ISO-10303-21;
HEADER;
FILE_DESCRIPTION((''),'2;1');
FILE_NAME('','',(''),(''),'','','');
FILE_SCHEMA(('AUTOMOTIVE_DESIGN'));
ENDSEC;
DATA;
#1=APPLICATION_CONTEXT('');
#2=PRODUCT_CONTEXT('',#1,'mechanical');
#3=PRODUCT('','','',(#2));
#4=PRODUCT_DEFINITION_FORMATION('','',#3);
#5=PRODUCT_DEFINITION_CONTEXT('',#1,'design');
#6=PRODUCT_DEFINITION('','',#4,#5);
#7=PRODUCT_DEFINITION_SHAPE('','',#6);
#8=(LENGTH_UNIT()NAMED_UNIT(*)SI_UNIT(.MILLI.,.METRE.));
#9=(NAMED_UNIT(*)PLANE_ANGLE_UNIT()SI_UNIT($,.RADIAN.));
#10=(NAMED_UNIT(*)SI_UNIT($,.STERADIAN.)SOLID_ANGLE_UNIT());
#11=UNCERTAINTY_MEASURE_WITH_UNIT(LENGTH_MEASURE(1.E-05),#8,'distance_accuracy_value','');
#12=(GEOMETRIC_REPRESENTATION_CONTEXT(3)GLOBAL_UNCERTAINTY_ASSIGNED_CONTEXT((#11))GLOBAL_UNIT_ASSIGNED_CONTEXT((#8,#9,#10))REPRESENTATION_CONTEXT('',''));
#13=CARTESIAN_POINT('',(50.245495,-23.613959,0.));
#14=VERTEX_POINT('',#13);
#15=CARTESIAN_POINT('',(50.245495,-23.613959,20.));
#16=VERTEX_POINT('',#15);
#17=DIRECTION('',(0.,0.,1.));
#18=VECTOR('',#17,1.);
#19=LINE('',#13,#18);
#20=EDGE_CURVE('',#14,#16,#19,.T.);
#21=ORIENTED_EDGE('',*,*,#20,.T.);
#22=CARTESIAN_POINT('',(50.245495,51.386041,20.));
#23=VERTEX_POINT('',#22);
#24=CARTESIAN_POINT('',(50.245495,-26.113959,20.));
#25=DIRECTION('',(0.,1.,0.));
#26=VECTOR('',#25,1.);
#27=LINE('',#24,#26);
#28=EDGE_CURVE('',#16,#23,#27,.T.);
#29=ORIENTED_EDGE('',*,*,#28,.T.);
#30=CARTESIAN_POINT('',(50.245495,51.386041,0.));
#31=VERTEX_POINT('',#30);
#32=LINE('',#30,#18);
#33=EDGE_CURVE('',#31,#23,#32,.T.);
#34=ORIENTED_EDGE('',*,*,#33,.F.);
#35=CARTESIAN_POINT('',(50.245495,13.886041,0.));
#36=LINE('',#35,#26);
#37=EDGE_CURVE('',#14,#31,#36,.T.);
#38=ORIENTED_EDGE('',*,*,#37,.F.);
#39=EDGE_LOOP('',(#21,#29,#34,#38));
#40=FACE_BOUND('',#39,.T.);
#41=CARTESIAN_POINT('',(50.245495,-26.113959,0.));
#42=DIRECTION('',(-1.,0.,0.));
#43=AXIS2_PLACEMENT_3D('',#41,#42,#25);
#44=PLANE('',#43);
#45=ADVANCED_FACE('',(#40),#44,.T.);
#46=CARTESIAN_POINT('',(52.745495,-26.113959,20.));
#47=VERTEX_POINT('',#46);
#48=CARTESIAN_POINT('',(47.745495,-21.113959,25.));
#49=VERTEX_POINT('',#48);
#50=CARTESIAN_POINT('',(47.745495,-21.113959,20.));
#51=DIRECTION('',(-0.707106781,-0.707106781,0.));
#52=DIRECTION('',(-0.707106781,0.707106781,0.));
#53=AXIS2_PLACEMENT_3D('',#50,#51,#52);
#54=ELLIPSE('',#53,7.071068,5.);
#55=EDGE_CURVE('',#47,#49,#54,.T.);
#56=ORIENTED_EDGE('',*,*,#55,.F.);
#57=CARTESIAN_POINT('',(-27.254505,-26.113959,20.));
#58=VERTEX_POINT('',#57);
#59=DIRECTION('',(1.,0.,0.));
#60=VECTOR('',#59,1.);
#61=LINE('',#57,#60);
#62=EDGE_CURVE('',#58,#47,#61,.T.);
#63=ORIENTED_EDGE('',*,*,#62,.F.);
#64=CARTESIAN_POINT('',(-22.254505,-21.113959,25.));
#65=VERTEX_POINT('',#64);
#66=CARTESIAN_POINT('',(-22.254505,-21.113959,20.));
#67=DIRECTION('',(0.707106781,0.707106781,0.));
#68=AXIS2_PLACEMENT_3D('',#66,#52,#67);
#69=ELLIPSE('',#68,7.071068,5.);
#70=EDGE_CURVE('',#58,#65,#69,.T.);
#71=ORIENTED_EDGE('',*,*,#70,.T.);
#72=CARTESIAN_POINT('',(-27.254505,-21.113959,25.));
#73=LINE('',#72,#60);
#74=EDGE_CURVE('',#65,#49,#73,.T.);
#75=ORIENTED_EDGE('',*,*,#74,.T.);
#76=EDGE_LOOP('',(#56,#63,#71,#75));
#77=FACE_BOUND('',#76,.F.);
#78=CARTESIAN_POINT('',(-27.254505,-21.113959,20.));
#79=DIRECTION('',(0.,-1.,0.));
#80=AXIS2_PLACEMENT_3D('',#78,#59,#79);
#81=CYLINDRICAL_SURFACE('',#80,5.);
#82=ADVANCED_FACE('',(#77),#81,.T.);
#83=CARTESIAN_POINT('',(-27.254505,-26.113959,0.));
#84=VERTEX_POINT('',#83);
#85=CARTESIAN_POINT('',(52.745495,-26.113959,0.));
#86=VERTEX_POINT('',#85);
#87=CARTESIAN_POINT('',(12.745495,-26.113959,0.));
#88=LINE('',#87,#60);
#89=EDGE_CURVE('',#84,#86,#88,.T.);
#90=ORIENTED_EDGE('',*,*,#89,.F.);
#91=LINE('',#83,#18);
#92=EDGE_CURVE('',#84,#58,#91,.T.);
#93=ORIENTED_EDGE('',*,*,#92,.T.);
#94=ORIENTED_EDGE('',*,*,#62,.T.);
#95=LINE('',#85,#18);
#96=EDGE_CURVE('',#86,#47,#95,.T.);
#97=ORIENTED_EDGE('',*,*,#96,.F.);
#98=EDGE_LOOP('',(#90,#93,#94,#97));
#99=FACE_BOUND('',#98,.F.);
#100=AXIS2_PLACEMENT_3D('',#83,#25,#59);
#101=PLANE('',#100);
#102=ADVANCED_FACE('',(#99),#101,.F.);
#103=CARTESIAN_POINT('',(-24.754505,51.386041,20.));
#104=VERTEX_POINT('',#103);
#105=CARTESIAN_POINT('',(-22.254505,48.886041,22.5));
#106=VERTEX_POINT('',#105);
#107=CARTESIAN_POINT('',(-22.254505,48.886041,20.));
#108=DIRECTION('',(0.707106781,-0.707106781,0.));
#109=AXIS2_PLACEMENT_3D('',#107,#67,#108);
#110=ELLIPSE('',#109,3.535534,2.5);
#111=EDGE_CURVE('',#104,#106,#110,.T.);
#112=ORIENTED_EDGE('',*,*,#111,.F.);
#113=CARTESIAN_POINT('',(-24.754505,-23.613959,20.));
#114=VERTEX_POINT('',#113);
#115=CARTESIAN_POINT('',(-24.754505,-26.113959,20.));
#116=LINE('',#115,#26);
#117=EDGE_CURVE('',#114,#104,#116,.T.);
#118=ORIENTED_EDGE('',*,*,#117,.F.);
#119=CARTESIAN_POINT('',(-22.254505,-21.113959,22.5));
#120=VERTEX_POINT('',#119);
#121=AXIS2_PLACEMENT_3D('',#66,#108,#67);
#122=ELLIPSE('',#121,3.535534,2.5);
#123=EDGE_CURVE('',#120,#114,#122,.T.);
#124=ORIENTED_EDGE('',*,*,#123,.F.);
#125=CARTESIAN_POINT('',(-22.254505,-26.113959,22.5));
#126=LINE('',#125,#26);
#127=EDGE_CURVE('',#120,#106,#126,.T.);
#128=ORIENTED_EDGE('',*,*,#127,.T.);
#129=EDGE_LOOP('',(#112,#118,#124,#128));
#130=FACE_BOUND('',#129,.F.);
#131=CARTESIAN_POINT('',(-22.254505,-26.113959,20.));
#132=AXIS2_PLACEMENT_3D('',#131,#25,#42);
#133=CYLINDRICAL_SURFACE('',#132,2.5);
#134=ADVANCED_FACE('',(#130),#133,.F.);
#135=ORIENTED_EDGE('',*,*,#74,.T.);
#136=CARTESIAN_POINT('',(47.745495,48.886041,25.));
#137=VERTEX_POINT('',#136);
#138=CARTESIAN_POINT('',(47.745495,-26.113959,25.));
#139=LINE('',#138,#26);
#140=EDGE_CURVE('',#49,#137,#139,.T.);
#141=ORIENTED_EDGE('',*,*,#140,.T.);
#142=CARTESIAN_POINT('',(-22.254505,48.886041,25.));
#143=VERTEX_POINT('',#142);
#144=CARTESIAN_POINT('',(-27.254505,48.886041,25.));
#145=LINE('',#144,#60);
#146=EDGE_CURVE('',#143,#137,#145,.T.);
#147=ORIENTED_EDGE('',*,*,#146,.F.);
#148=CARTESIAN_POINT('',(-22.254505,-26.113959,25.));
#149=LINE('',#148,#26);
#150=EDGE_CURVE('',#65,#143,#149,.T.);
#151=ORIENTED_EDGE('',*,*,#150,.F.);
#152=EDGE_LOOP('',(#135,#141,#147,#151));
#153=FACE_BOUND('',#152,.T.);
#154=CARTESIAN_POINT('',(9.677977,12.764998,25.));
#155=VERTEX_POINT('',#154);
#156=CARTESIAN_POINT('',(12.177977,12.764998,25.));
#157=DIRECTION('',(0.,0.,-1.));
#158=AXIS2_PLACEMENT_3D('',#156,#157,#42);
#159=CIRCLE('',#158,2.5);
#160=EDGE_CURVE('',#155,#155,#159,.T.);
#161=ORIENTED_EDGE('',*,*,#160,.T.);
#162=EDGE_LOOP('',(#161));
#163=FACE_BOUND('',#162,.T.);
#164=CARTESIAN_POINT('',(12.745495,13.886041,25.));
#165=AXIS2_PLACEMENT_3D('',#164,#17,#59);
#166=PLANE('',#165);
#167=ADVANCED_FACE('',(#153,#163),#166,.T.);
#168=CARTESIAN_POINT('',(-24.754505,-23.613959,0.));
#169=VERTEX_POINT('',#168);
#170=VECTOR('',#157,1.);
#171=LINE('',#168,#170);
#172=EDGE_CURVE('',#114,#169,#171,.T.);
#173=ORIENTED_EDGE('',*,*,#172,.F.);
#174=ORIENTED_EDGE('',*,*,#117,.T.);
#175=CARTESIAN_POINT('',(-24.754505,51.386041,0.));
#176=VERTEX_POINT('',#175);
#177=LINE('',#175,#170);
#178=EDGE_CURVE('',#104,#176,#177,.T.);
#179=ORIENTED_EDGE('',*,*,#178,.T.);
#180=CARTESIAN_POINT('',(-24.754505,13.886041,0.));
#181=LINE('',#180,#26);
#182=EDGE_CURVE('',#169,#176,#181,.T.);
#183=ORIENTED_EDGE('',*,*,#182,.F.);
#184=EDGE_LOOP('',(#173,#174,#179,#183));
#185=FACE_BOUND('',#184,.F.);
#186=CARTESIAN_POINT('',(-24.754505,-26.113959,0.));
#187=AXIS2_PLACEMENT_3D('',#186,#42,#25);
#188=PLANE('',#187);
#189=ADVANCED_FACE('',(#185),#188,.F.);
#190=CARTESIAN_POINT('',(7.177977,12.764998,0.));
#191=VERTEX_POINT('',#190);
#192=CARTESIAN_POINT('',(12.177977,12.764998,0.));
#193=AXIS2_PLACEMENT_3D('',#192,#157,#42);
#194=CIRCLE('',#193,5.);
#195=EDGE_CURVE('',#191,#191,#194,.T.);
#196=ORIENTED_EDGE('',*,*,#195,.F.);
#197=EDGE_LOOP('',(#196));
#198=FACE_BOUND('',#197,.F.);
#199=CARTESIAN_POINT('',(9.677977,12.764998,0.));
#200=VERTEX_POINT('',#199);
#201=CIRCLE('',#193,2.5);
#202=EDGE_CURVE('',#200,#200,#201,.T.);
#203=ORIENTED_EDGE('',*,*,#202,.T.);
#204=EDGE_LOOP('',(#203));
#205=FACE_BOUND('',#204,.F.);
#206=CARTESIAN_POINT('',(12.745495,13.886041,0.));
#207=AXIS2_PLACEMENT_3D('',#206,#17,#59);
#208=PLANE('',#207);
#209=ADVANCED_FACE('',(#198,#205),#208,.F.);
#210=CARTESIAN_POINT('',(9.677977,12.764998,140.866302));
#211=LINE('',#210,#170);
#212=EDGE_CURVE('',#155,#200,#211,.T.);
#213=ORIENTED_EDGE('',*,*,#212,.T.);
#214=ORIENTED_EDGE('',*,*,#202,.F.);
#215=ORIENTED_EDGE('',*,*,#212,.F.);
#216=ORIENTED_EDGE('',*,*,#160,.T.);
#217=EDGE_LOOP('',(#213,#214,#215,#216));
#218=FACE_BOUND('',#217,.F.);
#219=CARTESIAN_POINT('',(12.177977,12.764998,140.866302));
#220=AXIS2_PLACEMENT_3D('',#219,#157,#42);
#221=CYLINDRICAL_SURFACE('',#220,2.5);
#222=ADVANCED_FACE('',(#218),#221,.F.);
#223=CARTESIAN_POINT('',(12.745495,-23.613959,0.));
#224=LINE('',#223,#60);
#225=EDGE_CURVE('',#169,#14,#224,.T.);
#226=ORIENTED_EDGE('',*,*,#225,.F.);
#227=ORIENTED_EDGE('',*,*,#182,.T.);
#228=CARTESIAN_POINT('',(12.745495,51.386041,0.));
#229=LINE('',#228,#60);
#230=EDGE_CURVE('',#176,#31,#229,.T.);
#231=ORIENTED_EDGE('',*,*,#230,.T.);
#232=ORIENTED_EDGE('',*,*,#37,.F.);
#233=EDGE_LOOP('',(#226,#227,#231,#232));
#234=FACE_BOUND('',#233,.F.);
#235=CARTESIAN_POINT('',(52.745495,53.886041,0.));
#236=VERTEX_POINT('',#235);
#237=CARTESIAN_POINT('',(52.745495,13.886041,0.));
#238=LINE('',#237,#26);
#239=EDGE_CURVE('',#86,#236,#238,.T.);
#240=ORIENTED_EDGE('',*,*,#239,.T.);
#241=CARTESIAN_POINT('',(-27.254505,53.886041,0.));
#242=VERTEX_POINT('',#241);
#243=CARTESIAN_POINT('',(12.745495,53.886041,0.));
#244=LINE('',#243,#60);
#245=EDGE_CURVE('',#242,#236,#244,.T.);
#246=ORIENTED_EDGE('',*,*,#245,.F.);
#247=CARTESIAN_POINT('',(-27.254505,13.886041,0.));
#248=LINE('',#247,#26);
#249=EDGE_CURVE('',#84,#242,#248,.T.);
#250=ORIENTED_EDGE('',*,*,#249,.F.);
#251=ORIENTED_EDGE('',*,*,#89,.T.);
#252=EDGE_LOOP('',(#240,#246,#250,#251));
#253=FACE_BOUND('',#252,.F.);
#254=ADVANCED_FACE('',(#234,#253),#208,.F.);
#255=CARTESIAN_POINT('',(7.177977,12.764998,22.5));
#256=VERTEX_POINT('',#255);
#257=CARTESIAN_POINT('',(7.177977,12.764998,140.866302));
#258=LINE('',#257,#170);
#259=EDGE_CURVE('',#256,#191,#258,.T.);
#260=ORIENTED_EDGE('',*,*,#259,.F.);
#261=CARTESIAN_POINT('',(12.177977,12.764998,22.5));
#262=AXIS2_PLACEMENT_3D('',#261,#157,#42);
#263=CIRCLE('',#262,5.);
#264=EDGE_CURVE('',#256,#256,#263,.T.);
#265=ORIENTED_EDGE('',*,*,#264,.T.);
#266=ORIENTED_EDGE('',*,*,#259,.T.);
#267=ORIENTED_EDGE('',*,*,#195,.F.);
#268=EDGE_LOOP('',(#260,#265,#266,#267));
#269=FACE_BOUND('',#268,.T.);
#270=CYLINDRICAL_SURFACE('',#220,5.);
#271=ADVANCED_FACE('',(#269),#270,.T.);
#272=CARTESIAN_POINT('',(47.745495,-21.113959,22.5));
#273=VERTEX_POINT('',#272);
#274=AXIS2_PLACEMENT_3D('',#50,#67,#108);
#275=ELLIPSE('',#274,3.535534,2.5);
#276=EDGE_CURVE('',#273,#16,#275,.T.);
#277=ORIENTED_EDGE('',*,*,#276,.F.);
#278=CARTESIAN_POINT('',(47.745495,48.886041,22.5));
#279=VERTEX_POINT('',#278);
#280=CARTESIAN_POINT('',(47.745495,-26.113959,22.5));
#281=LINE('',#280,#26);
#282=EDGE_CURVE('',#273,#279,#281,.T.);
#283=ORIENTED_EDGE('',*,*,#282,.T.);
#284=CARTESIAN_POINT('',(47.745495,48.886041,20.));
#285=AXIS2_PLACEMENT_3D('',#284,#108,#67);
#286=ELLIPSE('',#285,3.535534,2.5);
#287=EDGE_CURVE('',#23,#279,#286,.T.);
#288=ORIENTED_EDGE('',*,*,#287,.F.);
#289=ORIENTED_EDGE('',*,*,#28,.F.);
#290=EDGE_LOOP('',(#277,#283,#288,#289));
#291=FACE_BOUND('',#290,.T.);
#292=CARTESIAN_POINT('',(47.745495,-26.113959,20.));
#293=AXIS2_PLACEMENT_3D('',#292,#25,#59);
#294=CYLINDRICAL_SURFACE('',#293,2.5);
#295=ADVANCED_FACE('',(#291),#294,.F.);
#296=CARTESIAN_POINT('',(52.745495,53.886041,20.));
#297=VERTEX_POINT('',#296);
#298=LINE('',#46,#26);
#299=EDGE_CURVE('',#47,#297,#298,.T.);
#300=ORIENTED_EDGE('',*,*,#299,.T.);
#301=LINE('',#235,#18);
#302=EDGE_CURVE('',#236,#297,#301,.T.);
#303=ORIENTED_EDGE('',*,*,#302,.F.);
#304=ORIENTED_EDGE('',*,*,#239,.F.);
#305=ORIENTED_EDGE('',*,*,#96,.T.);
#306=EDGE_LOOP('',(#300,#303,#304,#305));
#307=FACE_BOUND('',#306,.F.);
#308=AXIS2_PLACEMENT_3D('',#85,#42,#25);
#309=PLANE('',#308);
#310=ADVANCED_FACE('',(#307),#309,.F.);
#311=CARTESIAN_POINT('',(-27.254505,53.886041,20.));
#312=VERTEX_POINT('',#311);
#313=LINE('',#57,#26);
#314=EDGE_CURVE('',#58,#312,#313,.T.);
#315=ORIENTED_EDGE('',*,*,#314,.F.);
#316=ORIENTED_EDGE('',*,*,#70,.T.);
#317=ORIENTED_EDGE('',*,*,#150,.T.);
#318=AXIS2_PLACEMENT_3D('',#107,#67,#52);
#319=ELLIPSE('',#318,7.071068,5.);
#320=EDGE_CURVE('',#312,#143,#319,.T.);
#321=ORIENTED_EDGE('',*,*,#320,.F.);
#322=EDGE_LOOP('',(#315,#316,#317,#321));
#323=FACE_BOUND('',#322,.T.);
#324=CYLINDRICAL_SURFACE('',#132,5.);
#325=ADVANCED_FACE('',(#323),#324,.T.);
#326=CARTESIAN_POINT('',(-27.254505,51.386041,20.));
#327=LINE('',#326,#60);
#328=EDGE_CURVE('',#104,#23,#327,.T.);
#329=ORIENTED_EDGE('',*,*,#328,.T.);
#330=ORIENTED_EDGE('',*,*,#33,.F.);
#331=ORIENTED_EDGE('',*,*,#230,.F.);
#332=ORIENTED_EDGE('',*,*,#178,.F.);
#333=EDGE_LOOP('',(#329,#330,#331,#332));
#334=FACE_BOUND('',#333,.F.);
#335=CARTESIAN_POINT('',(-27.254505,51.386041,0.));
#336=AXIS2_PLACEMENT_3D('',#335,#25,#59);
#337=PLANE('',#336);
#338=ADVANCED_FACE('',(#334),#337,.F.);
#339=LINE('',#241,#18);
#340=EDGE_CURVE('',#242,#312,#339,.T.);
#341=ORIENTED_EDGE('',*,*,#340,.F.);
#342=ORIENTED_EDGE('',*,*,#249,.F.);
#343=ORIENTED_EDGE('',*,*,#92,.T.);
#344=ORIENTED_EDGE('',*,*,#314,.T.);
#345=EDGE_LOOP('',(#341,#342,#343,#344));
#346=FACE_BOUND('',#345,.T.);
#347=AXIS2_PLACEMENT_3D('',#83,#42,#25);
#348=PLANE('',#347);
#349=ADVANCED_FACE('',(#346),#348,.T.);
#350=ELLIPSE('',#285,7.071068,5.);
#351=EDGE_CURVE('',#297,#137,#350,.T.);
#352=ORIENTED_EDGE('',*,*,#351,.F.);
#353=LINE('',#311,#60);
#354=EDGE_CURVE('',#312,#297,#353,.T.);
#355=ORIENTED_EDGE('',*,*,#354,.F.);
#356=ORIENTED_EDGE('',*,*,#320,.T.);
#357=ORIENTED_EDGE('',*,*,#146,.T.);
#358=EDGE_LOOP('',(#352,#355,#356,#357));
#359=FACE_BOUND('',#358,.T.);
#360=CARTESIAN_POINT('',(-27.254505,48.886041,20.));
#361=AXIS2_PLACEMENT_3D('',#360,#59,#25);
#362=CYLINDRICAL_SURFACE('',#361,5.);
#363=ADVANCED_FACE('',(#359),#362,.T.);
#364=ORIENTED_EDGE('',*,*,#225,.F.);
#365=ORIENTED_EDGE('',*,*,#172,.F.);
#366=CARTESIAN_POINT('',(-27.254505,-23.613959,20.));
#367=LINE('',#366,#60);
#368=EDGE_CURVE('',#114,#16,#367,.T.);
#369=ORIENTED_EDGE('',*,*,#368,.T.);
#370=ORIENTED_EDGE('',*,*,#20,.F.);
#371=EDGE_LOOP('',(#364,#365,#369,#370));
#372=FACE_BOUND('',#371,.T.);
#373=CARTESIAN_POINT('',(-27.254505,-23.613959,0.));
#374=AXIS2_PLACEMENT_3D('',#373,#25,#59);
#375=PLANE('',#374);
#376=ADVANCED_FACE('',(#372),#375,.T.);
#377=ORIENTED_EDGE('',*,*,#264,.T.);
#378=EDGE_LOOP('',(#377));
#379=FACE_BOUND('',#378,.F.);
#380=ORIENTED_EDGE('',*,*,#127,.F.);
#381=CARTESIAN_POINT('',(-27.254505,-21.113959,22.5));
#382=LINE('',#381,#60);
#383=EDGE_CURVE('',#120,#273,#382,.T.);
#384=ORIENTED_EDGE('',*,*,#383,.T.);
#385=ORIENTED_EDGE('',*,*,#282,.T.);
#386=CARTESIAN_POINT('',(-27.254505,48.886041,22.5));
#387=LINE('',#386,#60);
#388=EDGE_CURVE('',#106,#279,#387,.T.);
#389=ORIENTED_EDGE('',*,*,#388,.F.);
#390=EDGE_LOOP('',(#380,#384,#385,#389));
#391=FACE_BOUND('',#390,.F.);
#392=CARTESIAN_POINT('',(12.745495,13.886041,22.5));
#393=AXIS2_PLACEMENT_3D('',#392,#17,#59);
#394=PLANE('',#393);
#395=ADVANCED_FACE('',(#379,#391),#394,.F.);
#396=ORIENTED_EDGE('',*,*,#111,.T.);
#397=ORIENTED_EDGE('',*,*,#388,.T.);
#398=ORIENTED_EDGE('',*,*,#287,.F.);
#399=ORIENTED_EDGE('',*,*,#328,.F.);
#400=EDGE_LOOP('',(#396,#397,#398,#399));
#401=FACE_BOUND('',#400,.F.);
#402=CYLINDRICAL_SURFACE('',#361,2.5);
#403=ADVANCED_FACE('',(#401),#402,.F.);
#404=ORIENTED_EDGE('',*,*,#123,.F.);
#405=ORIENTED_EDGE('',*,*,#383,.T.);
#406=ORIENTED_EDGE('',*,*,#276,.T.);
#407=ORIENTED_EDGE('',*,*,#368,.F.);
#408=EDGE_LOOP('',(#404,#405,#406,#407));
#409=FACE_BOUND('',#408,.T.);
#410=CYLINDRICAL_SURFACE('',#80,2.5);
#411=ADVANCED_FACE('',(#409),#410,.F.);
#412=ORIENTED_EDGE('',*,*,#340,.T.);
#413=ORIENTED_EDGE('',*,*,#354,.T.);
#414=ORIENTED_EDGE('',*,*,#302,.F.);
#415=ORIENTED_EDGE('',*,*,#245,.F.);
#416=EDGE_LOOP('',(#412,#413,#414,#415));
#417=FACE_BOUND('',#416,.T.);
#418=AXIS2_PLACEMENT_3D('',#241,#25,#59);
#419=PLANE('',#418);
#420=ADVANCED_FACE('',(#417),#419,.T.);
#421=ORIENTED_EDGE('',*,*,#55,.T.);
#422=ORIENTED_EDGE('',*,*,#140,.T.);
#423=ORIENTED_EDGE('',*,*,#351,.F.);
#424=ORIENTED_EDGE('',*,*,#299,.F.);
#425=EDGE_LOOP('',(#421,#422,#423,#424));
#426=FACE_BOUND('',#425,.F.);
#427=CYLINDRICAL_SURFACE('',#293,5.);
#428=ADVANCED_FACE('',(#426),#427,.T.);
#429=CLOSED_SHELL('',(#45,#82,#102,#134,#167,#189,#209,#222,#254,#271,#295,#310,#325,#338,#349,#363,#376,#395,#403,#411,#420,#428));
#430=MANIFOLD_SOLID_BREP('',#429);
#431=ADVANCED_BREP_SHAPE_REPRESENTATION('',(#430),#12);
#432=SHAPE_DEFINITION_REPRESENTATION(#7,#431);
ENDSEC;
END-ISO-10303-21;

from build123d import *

# Parameters (mm, degrees)
F0_W     = 80
F0_H     = 80
F1_DEPTH = 25
F2_R     = 5
F4_D     = 5
F5_T     = -2.5


with BuildPart() as f1:
    # F0 (on Top) → F1 (new body)
    with BuildSketch(Plane.XY):
        with Locations((12.7454949915, 13.8860409707)):
            Rectangle(F0_W, F0_H)
    extrude(amount=F1_DEPTH)

    # F2
    f2_edges = [f1.edges().sort_by_distance(p)[0] for p in [
        (52.745495, 13.886041, 25),
        (12.745495, -26.113959, 25),
        (-27.254505, 13.886041, 25),
        (12.745495, 53.886041, 25),
    ]]
    fillet(f2_edges, radius=F2_R)

    # F4 (through all)
    with Locations(Plane.XY.offset(25)):
        with Locations((12.1779767796, 12.7649977803)):
            Hole(F4_D / 2)

    # F5
    f5_openings = [f1.faces().sort_by_distance(p)[0] for p in [
        (-26.123134, 13.886041, 0),
    ]]
    offset(amount=F5_T, openings=f5_openings)


solid = f1.part
